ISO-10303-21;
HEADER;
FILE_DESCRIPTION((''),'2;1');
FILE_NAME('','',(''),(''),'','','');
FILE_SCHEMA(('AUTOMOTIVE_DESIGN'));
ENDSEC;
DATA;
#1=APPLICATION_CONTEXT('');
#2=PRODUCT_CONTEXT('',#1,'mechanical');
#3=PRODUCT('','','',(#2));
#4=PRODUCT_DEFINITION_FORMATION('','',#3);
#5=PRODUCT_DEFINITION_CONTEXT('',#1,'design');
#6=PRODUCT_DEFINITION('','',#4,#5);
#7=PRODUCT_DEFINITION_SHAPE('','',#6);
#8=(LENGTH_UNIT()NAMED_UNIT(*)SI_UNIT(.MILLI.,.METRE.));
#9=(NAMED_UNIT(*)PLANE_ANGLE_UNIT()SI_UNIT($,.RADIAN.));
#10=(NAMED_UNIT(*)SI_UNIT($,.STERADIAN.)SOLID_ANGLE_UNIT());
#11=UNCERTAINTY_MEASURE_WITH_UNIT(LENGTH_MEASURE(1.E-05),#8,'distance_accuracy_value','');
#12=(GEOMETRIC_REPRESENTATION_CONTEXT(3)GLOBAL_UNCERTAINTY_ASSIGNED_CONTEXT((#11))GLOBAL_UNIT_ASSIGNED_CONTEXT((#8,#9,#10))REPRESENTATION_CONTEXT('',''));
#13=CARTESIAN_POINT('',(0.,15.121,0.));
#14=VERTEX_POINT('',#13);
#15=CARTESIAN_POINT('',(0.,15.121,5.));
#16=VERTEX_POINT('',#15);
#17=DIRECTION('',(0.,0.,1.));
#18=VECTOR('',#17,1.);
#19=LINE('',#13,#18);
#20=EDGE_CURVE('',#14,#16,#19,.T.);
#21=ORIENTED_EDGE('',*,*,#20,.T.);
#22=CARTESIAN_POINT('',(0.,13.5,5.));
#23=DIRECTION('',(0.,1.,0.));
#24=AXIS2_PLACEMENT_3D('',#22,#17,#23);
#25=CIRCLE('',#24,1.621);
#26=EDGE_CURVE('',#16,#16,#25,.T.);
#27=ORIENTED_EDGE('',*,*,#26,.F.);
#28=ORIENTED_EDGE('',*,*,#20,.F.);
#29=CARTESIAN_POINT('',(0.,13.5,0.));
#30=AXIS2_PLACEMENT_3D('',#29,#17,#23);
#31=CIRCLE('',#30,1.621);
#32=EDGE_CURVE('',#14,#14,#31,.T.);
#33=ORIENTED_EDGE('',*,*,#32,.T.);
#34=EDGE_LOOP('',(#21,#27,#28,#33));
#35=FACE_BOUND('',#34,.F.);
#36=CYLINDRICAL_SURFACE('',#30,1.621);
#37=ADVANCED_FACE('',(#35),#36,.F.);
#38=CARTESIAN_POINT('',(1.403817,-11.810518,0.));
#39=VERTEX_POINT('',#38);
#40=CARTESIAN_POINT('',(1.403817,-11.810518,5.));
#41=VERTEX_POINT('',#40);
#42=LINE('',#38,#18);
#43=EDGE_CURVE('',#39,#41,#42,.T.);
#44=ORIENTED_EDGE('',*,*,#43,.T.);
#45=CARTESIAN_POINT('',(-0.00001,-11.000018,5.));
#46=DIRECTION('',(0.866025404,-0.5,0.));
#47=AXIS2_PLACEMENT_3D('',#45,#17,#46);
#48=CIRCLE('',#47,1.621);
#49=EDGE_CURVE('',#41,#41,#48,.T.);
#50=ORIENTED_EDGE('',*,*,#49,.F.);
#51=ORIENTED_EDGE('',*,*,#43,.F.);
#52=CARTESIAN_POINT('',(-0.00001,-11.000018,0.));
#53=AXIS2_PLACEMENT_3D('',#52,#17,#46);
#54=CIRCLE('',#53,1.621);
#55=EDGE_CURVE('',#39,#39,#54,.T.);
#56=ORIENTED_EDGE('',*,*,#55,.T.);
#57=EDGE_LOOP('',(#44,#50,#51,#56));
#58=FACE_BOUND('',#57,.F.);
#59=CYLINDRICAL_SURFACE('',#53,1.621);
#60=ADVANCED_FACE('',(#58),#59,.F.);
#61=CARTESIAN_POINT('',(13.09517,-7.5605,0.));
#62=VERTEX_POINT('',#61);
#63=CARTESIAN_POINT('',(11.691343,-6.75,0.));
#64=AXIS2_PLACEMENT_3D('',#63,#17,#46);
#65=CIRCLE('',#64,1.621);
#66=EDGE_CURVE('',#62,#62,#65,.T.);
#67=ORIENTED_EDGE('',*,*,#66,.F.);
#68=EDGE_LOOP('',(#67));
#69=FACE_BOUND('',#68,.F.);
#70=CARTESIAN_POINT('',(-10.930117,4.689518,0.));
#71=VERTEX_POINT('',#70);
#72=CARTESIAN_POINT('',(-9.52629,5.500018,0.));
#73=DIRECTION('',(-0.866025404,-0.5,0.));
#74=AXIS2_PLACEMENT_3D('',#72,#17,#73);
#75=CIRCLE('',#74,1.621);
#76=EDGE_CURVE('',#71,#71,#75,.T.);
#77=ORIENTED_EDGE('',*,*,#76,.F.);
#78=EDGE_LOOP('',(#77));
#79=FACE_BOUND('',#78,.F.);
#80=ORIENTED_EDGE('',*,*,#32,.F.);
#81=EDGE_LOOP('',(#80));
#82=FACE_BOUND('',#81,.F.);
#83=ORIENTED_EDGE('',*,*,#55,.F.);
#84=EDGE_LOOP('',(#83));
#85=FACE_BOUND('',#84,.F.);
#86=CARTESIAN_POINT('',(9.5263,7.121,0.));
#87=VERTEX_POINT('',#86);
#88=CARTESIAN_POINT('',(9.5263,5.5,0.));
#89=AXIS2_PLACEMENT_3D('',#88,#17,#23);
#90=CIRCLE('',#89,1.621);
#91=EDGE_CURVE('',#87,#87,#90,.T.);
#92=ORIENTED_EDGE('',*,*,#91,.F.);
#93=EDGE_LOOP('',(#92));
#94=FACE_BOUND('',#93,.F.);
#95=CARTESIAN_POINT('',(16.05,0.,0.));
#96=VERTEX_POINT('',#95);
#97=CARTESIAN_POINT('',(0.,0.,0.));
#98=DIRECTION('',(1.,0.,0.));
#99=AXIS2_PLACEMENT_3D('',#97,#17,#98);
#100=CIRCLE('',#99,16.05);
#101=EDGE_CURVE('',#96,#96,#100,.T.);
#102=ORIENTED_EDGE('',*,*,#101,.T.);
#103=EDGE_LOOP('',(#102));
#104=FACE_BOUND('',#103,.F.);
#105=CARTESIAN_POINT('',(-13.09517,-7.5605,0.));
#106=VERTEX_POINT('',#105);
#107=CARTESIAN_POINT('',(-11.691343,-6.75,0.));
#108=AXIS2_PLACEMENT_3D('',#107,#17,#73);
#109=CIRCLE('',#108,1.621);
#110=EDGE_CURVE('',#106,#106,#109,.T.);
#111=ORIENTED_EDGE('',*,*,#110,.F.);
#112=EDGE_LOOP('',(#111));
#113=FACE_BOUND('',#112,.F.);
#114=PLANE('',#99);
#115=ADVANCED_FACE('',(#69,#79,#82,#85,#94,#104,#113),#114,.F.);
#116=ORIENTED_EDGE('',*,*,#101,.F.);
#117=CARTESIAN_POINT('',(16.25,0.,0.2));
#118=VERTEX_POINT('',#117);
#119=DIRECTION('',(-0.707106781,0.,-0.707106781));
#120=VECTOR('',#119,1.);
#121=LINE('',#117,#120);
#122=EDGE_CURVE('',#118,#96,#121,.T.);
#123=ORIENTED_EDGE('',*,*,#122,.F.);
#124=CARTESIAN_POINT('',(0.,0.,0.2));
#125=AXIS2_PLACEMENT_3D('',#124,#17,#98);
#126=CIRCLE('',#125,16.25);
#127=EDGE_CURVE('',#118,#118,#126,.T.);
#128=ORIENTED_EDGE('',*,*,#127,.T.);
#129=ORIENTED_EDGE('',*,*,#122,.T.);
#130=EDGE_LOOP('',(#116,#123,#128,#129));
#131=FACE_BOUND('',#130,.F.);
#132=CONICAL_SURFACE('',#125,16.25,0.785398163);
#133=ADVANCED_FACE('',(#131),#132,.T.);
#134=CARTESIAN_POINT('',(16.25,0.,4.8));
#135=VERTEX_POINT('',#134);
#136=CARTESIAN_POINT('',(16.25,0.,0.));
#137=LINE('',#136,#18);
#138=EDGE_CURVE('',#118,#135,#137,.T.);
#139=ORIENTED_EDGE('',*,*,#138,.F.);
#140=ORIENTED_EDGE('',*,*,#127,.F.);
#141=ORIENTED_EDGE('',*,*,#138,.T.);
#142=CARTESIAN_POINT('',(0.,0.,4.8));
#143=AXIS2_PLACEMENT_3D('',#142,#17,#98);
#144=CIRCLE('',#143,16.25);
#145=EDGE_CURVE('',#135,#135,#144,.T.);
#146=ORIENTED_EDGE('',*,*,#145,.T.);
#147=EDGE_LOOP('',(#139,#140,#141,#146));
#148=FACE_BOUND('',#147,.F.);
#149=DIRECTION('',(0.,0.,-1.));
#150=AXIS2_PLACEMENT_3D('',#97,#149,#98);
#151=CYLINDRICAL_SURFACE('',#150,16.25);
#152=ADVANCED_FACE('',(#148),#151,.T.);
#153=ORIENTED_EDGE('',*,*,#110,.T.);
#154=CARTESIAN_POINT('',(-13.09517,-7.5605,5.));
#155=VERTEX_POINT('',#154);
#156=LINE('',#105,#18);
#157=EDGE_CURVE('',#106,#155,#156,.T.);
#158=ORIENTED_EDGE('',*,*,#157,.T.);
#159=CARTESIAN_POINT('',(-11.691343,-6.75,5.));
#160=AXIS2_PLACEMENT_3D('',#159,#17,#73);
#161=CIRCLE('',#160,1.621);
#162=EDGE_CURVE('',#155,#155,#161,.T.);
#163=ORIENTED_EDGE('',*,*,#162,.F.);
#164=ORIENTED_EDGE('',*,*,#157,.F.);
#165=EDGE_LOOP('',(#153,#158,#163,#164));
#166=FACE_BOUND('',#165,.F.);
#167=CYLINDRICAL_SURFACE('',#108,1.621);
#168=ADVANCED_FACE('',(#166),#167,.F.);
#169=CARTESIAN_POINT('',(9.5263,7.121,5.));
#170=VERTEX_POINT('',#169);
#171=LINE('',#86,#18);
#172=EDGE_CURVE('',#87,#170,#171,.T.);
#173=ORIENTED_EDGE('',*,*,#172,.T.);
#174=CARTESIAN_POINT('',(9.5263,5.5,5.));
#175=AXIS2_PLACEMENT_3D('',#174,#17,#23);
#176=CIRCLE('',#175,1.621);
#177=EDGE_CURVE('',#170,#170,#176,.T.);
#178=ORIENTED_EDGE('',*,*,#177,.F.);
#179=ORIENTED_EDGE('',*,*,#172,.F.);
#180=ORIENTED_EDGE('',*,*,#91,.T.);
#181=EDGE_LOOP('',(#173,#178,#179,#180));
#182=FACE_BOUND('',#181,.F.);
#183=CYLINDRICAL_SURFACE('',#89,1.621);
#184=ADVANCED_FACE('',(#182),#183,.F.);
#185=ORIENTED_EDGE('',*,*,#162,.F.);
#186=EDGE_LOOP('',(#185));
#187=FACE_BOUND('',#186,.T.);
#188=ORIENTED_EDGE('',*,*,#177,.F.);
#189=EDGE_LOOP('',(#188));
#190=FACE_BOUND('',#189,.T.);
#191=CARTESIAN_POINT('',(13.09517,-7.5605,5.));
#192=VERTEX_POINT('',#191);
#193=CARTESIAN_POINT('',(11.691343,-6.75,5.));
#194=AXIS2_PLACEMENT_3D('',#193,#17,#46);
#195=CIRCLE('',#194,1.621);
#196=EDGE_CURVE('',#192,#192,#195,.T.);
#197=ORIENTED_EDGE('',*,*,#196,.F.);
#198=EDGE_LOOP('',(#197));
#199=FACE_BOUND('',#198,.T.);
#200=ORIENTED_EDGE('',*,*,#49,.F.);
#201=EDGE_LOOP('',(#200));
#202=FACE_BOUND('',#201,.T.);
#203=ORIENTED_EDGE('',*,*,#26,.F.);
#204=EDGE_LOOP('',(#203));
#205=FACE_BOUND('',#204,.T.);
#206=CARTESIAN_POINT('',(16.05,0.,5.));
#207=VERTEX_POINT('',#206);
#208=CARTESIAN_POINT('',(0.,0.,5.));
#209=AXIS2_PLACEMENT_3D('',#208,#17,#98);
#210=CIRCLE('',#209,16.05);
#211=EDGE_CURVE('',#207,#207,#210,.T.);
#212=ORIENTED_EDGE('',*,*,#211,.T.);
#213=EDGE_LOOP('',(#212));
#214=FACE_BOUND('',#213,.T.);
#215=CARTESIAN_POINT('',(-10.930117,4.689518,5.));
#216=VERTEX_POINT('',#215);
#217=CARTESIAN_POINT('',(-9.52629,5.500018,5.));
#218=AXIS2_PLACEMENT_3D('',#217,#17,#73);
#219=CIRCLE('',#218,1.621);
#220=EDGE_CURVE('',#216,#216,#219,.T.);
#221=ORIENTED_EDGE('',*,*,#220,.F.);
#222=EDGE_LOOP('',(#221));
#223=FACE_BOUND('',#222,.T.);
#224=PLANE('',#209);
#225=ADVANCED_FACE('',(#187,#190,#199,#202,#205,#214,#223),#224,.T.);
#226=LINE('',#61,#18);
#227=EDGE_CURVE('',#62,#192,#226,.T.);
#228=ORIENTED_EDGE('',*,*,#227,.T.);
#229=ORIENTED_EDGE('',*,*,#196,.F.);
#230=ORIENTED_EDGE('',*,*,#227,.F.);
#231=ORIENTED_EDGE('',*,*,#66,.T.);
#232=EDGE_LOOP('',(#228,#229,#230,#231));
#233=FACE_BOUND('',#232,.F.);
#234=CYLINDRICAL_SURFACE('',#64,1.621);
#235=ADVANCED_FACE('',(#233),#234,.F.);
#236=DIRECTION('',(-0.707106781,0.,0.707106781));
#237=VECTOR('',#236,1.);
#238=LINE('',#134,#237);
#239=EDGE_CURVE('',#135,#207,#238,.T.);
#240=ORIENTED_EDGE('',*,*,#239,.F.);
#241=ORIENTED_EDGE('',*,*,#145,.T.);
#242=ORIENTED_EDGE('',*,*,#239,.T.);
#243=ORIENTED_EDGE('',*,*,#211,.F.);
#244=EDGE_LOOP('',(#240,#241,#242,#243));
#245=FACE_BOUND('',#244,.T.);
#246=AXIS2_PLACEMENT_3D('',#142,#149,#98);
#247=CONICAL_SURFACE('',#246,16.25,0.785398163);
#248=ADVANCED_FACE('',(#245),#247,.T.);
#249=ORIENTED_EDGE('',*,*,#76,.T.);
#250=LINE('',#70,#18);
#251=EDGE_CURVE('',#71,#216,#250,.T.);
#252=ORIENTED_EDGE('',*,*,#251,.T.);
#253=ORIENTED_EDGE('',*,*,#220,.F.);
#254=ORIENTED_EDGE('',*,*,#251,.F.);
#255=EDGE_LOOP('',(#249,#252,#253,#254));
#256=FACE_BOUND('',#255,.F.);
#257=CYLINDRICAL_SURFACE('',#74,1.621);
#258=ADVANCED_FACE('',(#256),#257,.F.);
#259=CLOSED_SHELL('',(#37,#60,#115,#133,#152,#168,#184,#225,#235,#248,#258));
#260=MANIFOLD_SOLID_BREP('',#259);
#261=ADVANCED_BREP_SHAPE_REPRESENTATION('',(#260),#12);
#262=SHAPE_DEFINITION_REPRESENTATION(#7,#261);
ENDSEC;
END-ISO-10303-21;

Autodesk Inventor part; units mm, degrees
ref_plane "YZ Plane" through (0, 0, 0) normal (1, 0, 0) x (0, 1, 0)
ref_plane "XZ Plane" through (0, 0, 0) normal (0, 1, 0) x (-1, 0, 0)
ref_plane "XY Plane" through (0, 0, 0) normal (0, 0, 1) x (1, 0, 0)
sketch "Sketch1" plane through (0, 0, 0) normal (0, 0, 1) x (1, 0, 0)
  circle A0 centre (0, 0) radius 16.25
  circle A1 centre (0, 0) radius 13.5 construction
  circle A2 centre (0, 0) radius 11 construction
  line L0 (0, 13.5) -> (0, 0) construction
  line L1 (0, 0) -> (9.5263, 5.5) construction
  dimension "d2" = 22
  dimension "d0" = 32.5
  dimension "d1" = 27
  dimension "d3" = 60
extrude "Extrusion1" add sketch "Sketch1" along normal blind 5
hole "Hole1" at (0, 13.5, 0) at (9.5263, 5.5, 0) direction (0, 0, 1) diameter 3.242 depth 5 thread size "M4x0.7" class "6H" standard "ANSI Metric M Profile"
pattern_circular "Circular Pattern1" count 3 over 360 about axis through (0, 0, 0) along (0, 0, 1) of "Hole1"
chamfer "Chamfer1" distance 0.2 angle 45 2 edges at (-16.25, 0, 5) (-16.25, 0, 0)
equation "\"d2\" = holesid"
equation "\"holesid\" = 22"
properties part number "flange-adapter" material "Stainless Steel"
